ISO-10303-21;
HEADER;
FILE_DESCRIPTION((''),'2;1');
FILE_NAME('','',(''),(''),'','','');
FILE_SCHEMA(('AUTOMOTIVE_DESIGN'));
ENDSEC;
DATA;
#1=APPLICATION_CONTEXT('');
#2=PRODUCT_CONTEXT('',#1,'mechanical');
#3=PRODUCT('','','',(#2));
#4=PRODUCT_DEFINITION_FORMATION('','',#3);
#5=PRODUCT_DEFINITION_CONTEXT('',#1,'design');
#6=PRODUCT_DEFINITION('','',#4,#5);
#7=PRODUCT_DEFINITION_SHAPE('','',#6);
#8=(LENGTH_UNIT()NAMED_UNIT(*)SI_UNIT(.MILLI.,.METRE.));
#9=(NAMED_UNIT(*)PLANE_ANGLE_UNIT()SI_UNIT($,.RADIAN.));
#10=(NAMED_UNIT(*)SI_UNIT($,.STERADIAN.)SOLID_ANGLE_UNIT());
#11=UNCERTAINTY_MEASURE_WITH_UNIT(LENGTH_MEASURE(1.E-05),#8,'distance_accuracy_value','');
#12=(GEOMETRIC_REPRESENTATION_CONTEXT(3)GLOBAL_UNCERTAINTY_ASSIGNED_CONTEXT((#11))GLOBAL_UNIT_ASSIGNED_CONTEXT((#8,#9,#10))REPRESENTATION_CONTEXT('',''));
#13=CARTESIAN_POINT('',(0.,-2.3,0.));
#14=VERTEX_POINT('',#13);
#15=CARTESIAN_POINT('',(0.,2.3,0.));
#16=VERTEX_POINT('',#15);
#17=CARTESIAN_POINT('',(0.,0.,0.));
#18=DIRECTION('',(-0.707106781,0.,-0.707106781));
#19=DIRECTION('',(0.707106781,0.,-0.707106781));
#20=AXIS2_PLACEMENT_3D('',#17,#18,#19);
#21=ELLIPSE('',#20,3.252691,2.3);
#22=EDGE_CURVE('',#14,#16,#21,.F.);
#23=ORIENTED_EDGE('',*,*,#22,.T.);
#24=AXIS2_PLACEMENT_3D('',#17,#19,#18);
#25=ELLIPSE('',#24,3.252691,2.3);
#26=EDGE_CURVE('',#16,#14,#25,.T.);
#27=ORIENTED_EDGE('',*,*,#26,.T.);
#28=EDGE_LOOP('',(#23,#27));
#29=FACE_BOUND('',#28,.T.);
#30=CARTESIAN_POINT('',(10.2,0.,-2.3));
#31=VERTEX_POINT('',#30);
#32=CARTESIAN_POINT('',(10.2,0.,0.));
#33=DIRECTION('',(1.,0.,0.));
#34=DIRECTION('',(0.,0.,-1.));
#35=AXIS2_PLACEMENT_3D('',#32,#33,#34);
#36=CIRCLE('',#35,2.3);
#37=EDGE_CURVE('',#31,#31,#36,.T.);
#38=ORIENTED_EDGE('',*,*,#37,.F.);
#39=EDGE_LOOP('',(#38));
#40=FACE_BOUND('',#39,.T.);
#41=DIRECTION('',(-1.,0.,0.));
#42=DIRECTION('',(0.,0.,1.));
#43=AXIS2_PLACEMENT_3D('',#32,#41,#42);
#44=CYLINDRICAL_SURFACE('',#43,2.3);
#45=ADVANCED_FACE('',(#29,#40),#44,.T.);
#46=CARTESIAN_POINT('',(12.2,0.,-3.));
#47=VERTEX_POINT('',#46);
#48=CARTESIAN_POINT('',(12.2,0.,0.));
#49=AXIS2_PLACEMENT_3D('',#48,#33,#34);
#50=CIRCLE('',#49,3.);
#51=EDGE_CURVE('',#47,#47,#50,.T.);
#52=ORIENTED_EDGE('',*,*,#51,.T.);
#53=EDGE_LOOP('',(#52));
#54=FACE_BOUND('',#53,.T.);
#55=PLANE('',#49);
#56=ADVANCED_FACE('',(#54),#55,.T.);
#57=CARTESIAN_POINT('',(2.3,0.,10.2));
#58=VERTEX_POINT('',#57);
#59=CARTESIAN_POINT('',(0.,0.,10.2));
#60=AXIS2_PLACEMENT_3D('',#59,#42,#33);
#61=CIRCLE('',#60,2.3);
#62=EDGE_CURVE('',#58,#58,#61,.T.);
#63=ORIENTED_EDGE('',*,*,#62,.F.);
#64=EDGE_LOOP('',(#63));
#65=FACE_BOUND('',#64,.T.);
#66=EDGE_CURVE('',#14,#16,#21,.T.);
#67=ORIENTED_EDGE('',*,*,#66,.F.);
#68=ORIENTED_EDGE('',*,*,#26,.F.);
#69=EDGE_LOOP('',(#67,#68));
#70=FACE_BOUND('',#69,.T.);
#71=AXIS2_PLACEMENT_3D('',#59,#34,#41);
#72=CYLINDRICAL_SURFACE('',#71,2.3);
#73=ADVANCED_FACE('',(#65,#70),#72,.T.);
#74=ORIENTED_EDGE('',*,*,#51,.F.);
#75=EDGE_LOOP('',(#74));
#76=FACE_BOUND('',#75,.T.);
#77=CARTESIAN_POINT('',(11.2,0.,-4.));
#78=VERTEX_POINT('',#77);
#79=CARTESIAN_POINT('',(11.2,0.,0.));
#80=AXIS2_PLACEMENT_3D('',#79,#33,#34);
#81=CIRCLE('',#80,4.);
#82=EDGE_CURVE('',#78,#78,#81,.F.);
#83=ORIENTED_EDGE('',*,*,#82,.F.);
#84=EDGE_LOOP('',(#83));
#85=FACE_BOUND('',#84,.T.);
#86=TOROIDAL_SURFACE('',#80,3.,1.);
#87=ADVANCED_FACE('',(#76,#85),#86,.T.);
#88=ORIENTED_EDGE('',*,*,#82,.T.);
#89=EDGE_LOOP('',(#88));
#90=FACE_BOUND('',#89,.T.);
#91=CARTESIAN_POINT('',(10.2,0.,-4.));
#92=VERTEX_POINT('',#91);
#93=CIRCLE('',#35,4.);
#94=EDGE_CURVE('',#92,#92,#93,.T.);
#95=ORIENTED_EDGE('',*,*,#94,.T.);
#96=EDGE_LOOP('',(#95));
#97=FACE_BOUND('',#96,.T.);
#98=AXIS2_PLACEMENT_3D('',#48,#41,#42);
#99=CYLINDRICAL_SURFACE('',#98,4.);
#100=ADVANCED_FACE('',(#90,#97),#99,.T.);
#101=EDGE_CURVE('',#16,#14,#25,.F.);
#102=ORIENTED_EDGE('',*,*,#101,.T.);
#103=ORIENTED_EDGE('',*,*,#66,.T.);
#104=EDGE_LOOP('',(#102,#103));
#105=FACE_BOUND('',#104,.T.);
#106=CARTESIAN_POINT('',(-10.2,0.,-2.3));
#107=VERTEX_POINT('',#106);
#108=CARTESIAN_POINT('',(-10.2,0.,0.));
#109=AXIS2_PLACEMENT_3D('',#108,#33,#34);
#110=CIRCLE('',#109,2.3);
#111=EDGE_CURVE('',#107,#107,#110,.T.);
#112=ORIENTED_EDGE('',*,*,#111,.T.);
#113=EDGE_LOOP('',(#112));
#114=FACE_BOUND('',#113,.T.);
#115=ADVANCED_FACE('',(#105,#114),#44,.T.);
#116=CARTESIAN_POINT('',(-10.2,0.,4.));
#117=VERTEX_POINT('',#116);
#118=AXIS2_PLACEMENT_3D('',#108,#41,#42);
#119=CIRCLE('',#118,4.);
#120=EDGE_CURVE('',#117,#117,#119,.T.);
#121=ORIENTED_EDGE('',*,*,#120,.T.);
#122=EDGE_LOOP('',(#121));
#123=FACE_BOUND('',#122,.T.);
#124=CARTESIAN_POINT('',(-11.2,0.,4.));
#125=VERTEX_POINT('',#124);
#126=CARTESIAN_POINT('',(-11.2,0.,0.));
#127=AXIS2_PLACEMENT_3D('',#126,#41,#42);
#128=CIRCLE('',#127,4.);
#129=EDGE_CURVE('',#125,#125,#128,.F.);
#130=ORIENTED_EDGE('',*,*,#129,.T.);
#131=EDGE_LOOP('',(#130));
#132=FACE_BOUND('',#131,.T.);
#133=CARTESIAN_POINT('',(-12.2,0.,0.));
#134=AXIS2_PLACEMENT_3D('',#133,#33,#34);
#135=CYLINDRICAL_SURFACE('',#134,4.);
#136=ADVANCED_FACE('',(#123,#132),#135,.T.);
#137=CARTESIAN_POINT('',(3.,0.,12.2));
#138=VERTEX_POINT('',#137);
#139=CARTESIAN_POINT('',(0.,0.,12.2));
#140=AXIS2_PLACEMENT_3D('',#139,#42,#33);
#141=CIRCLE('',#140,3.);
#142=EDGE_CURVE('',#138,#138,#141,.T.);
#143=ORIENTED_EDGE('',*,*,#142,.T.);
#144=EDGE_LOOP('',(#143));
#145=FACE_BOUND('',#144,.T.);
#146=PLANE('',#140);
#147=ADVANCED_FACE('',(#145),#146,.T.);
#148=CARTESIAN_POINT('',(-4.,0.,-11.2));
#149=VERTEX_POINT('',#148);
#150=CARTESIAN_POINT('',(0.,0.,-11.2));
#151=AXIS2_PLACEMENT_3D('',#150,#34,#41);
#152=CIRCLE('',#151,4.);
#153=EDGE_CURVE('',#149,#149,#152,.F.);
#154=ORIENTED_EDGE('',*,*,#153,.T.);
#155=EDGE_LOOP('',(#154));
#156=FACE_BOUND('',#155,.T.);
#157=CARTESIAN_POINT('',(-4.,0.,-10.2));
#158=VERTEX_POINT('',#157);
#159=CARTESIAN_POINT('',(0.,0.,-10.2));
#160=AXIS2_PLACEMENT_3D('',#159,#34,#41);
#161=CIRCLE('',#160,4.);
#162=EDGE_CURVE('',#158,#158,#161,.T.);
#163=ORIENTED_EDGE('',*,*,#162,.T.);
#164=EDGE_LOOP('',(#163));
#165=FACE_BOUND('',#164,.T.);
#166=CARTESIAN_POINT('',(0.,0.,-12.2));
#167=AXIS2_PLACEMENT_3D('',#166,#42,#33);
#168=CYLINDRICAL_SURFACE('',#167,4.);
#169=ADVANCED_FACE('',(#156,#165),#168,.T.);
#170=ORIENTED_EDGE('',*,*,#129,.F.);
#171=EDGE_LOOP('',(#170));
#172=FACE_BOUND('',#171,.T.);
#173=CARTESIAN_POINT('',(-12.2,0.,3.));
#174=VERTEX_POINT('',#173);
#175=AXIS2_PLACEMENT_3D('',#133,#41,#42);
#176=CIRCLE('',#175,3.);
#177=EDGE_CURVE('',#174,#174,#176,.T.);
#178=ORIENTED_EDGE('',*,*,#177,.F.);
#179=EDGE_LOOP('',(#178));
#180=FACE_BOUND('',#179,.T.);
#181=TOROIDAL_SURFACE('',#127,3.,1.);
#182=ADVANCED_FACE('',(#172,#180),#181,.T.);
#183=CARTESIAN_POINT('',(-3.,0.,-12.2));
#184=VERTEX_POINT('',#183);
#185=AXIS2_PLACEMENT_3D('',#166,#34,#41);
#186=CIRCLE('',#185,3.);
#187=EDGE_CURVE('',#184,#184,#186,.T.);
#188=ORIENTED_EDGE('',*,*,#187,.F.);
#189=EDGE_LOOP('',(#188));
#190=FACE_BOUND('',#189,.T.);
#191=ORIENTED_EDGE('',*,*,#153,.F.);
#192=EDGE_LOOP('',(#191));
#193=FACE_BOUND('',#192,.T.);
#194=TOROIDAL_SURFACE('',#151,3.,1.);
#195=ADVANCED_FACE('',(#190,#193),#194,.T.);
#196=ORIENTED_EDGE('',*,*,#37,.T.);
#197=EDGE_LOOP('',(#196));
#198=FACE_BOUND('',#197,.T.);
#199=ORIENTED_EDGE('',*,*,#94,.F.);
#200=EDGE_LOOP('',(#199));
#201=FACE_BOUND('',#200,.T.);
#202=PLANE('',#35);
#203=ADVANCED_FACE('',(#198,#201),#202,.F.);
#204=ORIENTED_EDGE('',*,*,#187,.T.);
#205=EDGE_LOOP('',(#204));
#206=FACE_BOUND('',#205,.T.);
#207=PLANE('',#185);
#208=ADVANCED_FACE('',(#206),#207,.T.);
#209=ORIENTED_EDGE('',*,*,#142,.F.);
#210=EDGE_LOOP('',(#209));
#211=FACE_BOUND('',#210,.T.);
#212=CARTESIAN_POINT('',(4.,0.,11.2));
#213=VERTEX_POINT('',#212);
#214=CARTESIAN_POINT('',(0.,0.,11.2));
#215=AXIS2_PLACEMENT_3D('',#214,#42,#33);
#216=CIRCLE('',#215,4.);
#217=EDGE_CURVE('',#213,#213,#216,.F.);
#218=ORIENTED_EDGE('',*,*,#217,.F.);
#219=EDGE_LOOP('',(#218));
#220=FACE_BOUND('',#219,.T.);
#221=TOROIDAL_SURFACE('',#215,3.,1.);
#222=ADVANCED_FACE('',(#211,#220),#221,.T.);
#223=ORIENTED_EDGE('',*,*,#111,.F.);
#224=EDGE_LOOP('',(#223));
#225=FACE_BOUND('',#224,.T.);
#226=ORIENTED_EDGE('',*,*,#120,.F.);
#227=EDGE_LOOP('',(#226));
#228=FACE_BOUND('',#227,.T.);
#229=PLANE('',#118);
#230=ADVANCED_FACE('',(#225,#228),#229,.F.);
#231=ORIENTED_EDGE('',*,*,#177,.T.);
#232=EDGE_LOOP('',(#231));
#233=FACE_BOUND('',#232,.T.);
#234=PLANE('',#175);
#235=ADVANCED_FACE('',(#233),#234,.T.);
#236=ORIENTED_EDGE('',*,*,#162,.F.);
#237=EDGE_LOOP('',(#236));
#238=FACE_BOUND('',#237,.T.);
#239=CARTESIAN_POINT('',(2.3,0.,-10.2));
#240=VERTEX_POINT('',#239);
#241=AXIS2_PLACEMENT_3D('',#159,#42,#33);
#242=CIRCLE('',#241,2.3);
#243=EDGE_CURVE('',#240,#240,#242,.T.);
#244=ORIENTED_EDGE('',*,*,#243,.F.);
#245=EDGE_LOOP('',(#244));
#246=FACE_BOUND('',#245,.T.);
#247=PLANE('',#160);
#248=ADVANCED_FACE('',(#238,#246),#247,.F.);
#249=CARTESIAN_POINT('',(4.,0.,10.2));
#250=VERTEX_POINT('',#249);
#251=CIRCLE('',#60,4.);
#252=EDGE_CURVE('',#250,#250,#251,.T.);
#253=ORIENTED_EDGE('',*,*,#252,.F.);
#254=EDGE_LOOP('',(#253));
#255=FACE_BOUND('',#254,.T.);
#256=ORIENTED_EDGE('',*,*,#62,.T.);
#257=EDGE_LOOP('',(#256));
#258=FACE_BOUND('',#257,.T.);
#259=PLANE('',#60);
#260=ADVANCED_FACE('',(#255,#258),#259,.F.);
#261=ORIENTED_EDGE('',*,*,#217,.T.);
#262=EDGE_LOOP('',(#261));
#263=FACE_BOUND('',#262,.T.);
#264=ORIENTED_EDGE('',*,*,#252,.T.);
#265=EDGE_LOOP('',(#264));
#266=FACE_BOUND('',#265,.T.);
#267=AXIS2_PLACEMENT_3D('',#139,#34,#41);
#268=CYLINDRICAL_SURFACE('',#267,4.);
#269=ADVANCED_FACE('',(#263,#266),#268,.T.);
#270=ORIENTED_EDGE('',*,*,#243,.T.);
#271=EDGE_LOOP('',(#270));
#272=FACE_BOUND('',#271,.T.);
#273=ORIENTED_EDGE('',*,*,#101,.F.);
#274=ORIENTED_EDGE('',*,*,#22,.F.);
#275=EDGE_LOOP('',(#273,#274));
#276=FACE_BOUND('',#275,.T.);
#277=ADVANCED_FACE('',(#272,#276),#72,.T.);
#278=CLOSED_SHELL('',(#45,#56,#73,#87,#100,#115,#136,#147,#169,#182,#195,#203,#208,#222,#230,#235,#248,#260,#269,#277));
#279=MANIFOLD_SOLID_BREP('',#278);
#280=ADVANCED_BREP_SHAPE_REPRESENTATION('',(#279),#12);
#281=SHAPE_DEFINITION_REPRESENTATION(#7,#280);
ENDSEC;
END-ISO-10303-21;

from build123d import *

# Parameters (mm, degrees)
ESQUISSE1_R        = 2.3
BOSS_EXTRU_1_DEPTH = 10.2
ESQUISSE3_R        = 2.3
BOSS_EXTRU_2_DEPTH = 10.2
ESQUISSE4_R        = 4
BOSS_EXTRU_3_DEPTH = 2
ESQUISSE5_R        = 4
BOSS_EXTRU_4_DEPTH = 2
ESQUISSE6_R        = 4
BOSS_EXTRU_5_DEPTH = 2
ESQUISSE7_R        = 4
BOSS_EXTRU_6_DEPTH = 2
CONG_1_R           = 1


with BuildPart() as part:
    # Esquisse1 → Boss.-Extru.1 (new body, symmetric)
    with BuildSketch(Plane.XY):
        Circle(ESQUISSE1_R)
    extrude(amount=BOSS_EXTRU_1_DEPTH, both=True)

    # Esquisse3 → Boss.-Extru.2 (add, symmetric)
    with BuildSketch(Plane(origin=(0, 0, 0), x_dir=(0, 0, -1), z_dir=(1, 0, 0))):
        with Locations(Location((0, 0, 0), (0, 0, 270))):  # turned: the seam where the file's is
            Circle(ESQUISSE3_R)
    extrude(amount=BOSS_EXTRU_2_DEPTH, both=True)

    # Esquisse4 → Boss.-Extru.3 (add)
    with BuildSketch(Plane(origin=(10.2, 0, 0), x_dir=(0, 0, -1), z_dir=(1, 0, 0))):
        Circle(ESQUISSE4_R)
    extrude(amount=BOSS_EXTRU_3_DEPTH)

    # Esquisse5 → Boss.-Extru.4 (add)
    with BuildSketch(Plane.ZY.offset(10.2)):
        with Locations(Location((0, 0, 0), (0, 0, 180))):  # turned: the seam where the file's is
            Circle(ESQUISSE5_R)
    extrude(amount=BOSS_EXTRU_4_DEPTH)

    # Esquisse6 → Boss.-Extru.5 (add)
    with BuildSketch(Plane.XY.offset(10.2)):
        Circle(ESQUISSE6_R)
    extrude(amount=BOSS_EXTRU_5_DEPTH)

    # Esquisse7 → Boss.-Extru.6 (add)
    with BuildSketch(Plane(origin=(0, 0, -10.2), x_dir=(-1, 0, 0), z_dir=(0, 0, -1))):
        with Locations(Location((0, 0, 0), (0, 0, 180))):  # turned: the seam where the file's is
            Circle(ESQUISSE7_R)
    extrude(amount=BOSS_EXTRU_6_DEPTH)

    # Congé1
    cong_1_edges = [part.edges().sort_by_distance(p)[0] for p in [
        (12.2, 0, 4),
        (-12.2, 0, 4),
        (-4, 0, 12.2),
        (-4, 0, -12.2),
    ]]
    fillet(cong_1_edges, radius=CONG_1_R)


solid = part.part
